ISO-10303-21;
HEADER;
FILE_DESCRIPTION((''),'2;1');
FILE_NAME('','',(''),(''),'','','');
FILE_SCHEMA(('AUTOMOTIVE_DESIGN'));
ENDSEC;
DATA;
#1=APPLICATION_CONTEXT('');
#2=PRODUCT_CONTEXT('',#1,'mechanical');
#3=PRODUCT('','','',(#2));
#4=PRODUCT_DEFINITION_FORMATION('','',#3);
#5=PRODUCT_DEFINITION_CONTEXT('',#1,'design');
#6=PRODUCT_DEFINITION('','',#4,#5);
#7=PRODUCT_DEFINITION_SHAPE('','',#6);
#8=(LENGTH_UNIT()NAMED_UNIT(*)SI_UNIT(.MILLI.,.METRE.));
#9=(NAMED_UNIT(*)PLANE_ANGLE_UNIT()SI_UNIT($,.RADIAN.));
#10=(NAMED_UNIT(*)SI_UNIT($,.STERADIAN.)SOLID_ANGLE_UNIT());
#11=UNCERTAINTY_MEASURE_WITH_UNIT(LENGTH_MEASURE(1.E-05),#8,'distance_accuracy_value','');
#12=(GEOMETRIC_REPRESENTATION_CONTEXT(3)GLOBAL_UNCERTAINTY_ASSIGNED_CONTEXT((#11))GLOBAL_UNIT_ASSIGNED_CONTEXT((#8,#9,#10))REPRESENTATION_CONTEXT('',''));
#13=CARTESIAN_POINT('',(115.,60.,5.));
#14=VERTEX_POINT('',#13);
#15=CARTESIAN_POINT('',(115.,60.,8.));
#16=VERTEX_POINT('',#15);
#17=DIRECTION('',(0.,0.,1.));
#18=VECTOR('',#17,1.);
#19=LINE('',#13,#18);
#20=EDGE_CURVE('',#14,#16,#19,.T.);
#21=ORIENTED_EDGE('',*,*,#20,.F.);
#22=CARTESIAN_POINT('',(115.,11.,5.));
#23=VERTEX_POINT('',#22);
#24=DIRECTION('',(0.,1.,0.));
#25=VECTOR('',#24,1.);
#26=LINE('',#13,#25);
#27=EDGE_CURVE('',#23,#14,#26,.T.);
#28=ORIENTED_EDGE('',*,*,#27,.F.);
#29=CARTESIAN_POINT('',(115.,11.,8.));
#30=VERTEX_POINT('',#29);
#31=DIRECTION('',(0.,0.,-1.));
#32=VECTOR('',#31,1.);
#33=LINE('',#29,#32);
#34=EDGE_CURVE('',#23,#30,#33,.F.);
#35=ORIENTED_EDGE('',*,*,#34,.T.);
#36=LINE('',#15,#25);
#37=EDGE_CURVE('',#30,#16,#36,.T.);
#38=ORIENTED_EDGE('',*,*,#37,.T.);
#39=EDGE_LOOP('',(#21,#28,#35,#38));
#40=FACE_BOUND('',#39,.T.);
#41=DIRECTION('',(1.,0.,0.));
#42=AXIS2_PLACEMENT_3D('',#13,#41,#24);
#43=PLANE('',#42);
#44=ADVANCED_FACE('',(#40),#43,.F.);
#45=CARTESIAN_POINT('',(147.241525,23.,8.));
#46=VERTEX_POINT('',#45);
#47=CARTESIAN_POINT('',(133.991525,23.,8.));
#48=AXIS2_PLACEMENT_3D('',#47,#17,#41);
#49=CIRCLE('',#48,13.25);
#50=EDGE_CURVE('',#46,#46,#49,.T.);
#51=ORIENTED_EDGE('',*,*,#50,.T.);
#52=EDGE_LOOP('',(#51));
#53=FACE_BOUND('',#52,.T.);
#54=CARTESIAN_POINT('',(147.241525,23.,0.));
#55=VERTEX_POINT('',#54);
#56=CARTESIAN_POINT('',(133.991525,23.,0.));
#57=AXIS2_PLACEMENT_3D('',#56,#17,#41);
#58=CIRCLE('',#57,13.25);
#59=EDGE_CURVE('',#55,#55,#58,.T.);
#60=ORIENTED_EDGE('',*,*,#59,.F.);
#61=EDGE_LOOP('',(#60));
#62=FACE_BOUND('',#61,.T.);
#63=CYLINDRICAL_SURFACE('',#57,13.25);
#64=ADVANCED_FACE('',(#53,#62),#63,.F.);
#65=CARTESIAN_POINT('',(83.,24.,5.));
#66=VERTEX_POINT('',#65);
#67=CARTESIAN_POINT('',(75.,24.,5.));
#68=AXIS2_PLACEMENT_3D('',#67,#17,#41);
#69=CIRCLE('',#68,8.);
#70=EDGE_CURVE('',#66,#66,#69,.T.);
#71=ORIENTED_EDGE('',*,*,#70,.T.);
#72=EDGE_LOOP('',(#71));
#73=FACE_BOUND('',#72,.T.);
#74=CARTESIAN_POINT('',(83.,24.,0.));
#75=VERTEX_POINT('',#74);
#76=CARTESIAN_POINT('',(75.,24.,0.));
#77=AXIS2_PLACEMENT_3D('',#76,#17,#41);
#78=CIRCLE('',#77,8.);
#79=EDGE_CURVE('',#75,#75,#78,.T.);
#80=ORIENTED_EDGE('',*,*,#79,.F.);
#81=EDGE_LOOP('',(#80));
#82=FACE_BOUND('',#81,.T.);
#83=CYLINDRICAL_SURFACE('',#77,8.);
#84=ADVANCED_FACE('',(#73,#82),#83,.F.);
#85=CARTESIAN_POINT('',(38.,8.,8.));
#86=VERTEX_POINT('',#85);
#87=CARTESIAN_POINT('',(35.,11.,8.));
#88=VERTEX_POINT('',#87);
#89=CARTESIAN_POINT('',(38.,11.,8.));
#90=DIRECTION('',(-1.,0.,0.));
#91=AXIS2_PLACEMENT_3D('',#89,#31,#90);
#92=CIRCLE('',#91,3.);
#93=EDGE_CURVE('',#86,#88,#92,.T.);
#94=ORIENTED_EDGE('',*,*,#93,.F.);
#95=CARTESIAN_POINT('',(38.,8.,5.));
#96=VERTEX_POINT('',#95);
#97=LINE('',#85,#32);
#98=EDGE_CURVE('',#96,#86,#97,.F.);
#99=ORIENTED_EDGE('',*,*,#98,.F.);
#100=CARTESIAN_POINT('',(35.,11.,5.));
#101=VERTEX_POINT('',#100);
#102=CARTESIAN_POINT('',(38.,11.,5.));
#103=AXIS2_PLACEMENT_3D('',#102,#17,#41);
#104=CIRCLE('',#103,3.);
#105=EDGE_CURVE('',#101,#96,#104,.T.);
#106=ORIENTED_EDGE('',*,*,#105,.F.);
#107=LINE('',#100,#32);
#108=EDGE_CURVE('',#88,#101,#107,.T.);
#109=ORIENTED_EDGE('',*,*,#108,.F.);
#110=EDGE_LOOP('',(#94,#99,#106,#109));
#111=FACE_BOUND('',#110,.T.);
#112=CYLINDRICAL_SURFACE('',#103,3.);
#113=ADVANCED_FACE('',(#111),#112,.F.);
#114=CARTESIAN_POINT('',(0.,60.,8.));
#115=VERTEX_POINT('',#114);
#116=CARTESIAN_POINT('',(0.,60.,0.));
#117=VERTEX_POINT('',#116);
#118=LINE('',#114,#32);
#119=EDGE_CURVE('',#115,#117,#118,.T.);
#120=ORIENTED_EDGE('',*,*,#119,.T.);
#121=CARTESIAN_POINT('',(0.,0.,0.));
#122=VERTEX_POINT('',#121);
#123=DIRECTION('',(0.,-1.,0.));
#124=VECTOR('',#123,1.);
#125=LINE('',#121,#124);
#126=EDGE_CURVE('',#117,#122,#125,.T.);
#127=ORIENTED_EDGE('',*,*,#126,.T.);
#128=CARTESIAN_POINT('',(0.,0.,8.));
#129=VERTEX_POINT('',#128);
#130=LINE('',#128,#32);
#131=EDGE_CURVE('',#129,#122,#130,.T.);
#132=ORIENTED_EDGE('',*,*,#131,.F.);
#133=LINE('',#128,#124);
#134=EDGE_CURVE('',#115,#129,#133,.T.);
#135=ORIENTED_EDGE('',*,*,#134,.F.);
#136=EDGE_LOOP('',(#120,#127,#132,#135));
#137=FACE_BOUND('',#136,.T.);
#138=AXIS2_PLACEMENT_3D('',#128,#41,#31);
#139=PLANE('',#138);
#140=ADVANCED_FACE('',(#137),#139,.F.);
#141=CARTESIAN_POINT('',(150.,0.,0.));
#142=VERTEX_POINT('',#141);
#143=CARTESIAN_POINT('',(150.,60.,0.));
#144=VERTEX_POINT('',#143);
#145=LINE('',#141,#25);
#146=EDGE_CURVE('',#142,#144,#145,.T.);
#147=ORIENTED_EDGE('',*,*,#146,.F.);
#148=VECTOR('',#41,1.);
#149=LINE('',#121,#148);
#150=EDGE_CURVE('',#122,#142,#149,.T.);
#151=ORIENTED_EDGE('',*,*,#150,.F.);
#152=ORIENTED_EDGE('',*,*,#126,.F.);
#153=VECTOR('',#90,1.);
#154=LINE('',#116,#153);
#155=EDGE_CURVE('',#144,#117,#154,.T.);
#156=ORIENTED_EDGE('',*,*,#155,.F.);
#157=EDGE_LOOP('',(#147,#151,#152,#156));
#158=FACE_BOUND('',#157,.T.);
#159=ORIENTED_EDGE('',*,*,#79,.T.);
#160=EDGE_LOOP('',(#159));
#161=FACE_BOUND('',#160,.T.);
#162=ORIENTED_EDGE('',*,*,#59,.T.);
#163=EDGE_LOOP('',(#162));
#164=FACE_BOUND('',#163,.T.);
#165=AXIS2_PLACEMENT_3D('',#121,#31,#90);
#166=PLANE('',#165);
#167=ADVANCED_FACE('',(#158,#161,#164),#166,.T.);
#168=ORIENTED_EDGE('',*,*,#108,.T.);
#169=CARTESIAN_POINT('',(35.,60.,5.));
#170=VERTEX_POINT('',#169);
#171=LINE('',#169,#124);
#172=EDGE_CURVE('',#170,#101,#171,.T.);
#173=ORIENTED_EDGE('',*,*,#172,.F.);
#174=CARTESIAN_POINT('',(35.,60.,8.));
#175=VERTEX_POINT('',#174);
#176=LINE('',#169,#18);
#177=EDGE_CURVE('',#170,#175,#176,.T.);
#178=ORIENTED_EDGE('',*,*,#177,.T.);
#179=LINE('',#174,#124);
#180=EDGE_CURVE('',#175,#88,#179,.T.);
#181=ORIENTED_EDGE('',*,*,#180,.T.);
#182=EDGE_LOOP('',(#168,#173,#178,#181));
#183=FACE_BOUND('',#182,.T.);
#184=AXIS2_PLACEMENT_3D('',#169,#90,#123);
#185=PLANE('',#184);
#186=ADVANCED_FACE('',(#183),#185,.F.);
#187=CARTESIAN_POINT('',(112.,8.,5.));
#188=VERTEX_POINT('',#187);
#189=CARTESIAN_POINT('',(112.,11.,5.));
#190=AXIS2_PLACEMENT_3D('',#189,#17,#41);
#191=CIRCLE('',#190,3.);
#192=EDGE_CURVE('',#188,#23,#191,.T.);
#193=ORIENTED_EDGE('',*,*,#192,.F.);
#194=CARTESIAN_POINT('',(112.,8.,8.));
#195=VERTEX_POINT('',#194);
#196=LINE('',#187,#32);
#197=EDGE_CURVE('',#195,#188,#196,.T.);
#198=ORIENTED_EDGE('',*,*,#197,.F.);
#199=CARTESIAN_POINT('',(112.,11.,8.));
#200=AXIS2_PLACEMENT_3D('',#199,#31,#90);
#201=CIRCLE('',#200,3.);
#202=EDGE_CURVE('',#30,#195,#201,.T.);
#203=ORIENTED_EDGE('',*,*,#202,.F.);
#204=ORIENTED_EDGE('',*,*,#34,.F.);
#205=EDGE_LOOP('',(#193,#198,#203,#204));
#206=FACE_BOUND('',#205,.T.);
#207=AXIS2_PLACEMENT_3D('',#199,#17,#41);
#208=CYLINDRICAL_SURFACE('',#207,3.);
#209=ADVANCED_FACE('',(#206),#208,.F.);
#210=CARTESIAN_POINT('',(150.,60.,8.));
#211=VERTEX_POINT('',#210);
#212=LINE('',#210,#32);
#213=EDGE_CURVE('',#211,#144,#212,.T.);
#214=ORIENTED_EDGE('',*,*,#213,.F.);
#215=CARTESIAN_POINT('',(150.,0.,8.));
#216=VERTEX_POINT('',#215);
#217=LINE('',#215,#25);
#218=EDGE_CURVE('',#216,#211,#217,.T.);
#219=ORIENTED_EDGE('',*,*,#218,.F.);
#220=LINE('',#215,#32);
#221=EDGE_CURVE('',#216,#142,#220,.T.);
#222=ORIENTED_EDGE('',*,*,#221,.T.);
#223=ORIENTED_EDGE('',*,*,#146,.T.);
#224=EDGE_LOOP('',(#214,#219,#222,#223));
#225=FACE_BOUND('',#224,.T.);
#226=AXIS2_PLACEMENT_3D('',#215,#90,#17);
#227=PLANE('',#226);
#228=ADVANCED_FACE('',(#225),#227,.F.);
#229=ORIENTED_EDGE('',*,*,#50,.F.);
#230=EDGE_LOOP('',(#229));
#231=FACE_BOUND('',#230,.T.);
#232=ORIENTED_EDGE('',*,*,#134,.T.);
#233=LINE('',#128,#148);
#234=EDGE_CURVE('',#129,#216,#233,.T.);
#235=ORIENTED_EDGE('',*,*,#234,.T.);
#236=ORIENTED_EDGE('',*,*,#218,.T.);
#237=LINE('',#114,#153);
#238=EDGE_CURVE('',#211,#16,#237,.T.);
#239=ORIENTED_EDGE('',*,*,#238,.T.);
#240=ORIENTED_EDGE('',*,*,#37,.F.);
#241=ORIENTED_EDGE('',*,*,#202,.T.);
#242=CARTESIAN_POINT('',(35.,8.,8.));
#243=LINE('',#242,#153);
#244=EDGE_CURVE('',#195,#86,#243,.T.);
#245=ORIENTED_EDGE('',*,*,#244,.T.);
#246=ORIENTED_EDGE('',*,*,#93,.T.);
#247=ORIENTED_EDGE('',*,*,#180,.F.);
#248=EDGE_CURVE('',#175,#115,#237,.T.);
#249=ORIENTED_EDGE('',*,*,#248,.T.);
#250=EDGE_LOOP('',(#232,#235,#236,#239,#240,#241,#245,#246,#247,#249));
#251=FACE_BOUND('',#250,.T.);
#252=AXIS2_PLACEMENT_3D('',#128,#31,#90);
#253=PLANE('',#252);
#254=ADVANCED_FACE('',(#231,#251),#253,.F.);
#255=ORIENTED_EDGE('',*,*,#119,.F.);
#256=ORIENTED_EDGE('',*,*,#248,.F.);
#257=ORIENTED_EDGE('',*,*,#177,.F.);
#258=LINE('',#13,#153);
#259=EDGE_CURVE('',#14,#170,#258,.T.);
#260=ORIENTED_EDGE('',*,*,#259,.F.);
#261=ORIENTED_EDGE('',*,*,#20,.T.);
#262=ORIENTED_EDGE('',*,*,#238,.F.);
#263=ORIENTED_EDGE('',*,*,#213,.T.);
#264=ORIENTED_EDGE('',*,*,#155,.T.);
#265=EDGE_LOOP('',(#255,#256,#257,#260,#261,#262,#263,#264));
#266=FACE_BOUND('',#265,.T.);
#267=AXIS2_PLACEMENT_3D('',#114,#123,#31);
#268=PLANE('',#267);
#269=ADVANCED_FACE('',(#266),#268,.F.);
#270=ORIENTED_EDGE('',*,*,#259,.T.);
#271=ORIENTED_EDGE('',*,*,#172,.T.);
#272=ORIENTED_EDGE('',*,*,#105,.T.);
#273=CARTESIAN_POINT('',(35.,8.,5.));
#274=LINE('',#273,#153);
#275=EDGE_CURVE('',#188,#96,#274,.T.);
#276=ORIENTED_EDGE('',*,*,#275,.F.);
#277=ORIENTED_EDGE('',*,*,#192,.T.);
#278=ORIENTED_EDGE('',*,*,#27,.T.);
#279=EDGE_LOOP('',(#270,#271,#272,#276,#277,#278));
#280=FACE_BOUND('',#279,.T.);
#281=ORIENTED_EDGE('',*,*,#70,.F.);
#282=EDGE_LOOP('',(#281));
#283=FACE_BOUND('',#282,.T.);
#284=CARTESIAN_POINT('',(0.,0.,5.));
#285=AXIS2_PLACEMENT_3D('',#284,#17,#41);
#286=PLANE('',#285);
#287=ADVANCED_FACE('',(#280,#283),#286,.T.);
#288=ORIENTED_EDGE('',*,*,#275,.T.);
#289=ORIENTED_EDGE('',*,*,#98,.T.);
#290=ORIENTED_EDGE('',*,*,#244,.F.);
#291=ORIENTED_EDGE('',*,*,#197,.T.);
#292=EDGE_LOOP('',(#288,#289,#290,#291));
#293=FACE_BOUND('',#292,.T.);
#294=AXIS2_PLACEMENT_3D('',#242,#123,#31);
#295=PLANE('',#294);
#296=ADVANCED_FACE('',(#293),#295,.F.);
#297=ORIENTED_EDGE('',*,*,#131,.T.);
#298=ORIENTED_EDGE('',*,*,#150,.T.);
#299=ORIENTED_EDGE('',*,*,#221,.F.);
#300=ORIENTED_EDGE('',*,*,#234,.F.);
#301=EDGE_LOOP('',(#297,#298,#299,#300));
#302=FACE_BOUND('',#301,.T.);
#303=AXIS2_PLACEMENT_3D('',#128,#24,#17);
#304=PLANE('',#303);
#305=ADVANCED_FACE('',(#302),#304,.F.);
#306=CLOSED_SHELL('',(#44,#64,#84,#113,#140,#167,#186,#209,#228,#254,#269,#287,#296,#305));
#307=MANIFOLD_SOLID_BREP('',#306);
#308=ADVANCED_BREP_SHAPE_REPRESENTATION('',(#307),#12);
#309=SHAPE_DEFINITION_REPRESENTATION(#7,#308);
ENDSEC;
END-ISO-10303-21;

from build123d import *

# Parameters (mm, degrees)
ESQUISSE1_W                  = 150
ESQUISSE1_H                  = 60
BOSS_EXTRU_1_DEPTH           = 8
ESQUISSE2_W                  = 80
ESQUISSE2_H                  = 60
ENL_V_MAT_EXTRU_1_DEPTH      = 3
ENL_V_MAT_EXTRU_2_DEPTH      = 162.632298752
ENL_V_MAT_EXTRU_2_DEPTH_BACK = 162.632298752
ESQUISSE3_R                  = 8
ESQUISSE4_W                  = 80
ESQUISSE4_H                  = 8
BOSS_EXTRU_2_DEPTH           = 3
CONG_1_R                     = 3
ESQUISSE5_R                  = 13.25
ENL_V_MAT_EXTRU_3_DEPTH      = 162.752897965


with BuildPart() as part:
    # Esquisse1 → Boss.-Extru.1 (new body)
    with BuildSketch(Plane.XY):
        with Locations((75, 30)):
            Rectangle(ESQUISSE1_W, ESQUISSE1_H)
    extrude(amount=BOSS_EXTRU_1_DEPTH)

    # Esquisse2 → Enlèv. mat.-Extru.1 (cut)
    with BuildSketch(Plane.XY.offset(8)):
        with Locations((75, 30)):
            Rectangle(ESQUISSE2_W, ESQUISSE2_H)
    extrude(amount=-ENL_V_MAT_EXTRU_1_DEPTH, mode=Mode.SUBTRACT)

    # Esquisse3 → Enlèv. mat.-Extru.2 (cut, two sides: drawn at the far end of the back side and taken through both)
    with BuildSketch(Plane.XY.offset(5).offset(-ENL_V_MAT_EXTRU_2_DEPTH_BACK)):
        with Locations((75, 24)):
            Circle(ESQUISSE3_R)
    extrude(amount=ENL_V_MAT_EXTRU_2_DEPTH + ENL_V_MAT_EXTRU_2_DEPTH_BACK, mode=Mode.SUBTRACT)

    # Esquisse4 → Boss.-Extru.2 (add)
    with BuildSketch(Plane.XY.offset(5)):
        with Locations((75, 4)):
            Rectangle(ESQUISSE4_W, ESQUISSE4_H)
    extrude(amount=BOSS_EXTRU_2_DEPTH)

    # Congé1
    cong_1_edges = [part.edges().sort_by_distance(p)[0] for p in [
        (35, 8, 6.5),
        (115, 8, 6.5),
    ]]
    fillet(cong_1_edges, radius=CONG_1_R)

    # Esquisse5 → Enlèv. mat.-Extru.3 (cut, through all)
    with BuildSketch(Plane.XY.offset(8)):
        with Locations((133.991524815, 23)):
            Circle(ESQUISSE5_R)
    extrude(amount=-ENL_V_MAT_EXTRU_3_DEPTH, mode=Mode.SUBTRACT)


solid = part.part
